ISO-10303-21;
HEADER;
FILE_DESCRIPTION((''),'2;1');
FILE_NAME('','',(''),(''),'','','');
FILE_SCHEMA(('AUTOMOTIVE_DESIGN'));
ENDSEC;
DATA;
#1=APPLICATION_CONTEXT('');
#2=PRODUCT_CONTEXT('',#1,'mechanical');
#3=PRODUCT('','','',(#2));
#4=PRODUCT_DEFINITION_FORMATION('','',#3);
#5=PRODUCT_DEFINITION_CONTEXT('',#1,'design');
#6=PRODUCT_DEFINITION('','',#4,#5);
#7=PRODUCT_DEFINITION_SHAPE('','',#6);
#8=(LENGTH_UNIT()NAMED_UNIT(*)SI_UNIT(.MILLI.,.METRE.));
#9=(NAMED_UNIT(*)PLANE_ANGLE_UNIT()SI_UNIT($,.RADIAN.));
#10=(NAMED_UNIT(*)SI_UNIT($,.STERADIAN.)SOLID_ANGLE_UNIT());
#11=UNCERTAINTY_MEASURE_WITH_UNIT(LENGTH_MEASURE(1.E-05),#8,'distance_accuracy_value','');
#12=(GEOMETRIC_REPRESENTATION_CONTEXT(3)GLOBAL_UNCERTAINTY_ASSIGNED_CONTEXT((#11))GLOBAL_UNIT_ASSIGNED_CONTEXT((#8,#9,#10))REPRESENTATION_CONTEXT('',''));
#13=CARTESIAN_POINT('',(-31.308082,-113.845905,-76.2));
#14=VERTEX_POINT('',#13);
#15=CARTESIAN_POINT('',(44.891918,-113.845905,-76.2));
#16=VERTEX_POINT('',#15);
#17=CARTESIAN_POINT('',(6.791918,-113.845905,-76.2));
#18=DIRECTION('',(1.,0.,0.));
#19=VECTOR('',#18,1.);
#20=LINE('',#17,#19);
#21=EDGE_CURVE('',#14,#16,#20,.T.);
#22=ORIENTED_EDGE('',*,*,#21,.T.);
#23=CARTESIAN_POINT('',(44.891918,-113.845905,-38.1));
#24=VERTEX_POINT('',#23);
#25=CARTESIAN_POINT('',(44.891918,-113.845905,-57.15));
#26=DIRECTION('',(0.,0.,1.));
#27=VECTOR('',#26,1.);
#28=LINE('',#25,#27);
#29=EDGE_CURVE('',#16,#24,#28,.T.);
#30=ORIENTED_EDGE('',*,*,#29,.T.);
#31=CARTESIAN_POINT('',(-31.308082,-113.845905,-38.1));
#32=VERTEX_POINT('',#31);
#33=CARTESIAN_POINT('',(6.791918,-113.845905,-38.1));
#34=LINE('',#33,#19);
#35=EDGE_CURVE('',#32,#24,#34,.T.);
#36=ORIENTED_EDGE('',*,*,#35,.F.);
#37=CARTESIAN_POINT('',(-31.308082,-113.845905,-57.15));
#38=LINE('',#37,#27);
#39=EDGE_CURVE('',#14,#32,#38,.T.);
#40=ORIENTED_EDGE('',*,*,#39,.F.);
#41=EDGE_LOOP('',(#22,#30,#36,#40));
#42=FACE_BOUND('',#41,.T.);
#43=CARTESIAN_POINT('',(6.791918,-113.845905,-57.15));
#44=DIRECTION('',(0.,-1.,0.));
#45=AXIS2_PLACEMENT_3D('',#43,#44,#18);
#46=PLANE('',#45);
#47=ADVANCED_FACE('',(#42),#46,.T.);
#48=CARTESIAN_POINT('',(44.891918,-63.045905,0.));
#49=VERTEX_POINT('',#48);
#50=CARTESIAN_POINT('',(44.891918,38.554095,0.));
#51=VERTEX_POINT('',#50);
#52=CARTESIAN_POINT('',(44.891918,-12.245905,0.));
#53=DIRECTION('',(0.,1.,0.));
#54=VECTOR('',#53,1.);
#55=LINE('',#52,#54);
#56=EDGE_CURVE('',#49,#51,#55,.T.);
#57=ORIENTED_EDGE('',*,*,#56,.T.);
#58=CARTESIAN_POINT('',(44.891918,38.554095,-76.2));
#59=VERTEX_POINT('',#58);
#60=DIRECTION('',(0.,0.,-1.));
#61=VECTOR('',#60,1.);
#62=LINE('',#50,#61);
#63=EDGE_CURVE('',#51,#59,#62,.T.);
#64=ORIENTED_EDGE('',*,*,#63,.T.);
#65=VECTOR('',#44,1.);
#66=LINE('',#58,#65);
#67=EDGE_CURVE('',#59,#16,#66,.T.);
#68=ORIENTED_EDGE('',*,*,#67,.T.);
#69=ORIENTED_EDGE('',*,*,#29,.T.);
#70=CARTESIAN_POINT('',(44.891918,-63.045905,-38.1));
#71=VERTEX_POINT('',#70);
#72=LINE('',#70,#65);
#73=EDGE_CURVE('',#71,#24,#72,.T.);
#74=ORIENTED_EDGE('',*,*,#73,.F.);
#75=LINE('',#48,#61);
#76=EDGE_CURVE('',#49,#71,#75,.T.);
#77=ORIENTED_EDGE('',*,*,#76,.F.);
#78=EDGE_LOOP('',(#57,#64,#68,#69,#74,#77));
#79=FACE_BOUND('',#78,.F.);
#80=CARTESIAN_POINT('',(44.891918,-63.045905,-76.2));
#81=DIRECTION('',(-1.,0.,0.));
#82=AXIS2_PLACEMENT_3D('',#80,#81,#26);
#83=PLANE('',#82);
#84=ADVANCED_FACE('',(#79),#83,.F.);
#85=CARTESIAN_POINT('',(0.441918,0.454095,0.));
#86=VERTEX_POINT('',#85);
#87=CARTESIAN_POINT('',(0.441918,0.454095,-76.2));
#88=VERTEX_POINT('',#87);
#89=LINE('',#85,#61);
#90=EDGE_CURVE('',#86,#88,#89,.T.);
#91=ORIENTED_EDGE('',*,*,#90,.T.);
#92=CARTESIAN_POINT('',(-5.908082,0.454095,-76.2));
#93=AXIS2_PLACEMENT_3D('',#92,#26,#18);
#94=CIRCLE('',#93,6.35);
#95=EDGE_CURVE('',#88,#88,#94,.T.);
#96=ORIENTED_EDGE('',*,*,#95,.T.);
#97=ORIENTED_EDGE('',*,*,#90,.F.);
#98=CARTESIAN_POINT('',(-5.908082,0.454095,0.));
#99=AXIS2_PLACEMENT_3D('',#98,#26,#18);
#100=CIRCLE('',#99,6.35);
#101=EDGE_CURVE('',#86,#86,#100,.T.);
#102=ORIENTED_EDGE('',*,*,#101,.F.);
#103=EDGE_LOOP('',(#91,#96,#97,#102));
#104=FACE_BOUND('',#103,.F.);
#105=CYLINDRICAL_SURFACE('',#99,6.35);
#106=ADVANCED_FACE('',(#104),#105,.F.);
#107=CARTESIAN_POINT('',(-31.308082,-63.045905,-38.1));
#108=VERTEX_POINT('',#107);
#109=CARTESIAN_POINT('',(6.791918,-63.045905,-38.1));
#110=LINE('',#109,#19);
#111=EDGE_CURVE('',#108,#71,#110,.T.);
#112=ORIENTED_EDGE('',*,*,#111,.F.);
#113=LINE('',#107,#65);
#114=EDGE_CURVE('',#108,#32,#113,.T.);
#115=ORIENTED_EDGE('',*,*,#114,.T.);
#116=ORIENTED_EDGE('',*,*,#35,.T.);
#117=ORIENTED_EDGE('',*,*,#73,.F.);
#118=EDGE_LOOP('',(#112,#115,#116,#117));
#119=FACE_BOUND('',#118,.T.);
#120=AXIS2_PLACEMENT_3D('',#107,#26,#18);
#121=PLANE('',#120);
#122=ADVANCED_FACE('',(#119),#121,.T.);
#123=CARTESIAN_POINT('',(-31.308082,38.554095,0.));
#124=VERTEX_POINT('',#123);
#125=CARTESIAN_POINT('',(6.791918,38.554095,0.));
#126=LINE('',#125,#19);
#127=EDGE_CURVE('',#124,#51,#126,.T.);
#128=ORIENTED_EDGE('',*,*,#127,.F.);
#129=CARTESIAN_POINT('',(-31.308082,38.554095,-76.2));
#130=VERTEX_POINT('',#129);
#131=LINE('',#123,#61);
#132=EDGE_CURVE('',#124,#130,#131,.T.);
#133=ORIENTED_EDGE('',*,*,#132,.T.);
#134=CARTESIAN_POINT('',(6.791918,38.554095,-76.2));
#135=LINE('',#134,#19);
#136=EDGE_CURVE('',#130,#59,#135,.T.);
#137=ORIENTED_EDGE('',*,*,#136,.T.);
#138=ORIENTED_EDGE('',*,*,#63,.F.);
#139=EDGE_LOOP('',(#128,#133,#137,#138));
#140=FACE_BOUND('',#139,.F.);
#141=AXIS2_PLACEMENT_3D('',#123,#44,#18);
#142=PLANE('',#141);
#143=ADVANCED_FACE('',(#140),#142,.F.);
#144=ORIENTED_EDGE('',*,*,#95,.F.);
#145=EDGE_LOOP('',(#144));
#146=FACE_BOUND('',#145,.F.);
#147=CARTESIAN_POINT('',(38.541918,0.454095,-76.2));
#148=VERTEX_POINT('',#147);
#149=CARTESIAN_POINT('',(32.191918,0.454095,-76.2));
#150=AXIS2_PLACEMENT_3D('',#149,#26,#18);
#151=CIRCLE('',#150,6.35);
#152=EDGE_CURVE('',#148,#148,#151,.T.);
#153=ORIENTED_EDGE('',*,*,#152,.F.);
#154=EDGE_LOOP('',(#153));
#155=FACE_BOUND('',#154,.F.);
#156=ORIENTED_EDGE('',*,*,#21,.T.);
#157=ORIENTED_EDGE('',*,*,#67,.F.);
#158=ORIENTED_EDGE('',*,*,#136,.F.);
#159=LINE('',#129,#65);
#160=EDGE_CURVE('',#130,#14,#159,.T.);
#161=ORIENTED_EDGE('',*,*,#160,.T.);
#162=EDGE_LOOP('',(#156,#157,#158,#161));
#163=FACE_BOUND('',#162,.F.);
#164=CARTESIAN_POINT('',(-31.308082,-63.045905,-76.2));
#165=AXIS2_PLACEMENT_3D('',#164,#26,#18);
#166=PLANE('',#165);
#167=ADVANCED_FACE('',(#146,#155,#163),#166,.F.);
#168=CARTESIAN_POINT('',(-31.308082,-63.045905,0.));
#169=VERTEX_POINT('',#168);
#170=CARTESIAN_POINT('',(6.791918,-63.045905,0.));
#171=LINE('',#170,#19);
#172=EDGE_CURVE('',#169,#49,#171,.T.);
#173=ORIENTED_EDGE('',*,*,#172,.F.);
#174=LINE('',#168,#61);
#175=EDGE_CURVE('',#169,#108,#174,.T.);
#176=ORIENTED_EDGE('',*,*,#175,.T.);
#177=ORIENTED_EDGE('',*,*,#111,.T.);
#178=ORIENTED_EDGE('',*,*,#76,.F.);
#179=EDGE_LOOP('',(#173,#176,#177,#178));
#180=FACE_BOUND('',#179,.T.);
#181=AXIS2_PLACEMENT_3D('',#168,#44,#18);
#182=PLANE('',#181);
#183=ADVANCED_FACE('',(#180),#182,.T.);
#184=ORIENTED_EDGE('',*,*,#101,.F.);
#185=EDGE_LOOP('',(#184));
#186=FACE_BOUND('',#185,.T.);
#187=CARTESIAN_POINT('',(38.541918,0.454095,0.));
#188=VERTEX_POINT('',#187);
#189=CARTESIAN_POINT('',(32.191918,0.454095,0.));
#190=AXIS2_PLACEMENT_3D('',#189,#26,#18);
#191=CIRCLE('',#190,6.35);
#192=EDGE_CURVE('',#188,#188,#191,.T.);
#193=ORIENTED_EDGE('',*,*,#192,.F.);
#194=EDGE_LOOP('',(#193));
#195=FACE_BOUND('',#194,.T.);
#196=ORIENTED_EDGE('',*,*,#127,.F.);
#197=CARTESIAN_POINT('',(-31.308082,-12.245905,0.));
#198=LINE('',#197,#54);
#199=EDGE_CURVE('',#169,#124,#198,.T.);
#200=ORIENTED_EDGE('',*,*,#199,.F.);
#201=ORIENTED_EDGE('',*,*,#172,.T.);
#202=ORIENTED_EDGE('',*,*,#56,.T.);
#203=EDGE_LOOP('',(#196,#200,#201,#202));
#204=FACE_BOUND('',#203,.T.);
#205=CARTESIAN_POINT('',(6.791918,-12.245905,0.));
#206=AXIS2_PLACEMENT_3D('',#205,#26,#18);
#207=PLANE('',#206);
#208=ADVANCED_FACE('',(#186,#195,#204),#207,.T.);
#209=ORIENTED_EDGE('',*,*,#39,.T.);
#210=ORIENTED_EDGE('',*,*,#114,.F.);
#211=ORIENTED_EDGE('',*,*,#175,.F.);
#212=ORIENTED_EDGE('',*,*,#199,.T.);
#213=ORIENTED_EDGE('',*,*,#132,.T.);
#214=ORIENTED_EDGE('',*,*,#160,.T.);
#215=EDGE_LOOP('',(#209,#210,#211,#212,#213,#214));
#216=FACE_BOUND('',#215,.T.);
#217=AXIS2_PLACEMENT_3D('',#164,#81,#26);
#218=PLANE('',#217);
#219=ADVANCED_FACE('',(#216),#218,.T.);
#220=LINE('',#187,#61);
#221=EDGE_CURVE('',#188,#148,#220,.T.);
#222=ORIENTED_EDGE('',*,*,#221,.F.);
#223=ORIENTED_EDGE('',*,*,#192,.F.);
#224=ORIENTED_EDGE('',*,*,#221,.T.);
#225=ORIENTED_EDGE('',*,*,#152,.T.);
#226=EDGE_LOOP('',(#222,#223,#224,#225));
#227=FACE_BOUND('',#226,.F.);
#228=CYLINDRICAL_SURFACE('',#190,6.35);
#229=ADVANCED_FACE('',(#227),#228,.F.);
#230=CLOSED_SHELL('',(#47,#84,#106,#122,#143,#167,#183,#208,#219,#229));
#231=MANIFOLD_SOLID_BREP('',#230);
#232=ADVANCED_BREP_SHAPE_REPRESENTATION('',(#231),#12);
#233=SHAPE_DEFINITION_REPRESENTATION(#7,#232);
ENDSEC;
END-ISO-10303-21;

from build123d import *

# Parameters (mm, degrees)
F0_W     = 76.2
F0_H     = 101.6
F0_R     = 6.35
F1_DEPTH = 76.2
F2_W     = 76.2
F2_H     = 38.1
F3_DEPTH = 50.8


with BuildPart() as f1:
    # F0 (on Top) → F1 (new body)
    with BuildSketch(Plane.XY):
        with Locations((6.791918, -12.245905)):
            Rectangle(F0_W, F0_H)
        with Locations((-5.908082, 0.454095)):
            Circle(F0_R, mode=Mode.SUBTRACT)
        with Locations((32.191918, 0.454095)):
            Circle(F0_R, mode=Mode.SUBTRACT)
    extrude(amount=-F1_DEPTH)

    # F2 (on face) → F3 (join)
    with BuildSketch(Plane.XZ.offset(63.045905)):
        with Locations((6.791918, -57.15)):
            Rectangle(F2_W, F2_H)
    extrude(amount=F3_DEPTH)


solid = f1.part
